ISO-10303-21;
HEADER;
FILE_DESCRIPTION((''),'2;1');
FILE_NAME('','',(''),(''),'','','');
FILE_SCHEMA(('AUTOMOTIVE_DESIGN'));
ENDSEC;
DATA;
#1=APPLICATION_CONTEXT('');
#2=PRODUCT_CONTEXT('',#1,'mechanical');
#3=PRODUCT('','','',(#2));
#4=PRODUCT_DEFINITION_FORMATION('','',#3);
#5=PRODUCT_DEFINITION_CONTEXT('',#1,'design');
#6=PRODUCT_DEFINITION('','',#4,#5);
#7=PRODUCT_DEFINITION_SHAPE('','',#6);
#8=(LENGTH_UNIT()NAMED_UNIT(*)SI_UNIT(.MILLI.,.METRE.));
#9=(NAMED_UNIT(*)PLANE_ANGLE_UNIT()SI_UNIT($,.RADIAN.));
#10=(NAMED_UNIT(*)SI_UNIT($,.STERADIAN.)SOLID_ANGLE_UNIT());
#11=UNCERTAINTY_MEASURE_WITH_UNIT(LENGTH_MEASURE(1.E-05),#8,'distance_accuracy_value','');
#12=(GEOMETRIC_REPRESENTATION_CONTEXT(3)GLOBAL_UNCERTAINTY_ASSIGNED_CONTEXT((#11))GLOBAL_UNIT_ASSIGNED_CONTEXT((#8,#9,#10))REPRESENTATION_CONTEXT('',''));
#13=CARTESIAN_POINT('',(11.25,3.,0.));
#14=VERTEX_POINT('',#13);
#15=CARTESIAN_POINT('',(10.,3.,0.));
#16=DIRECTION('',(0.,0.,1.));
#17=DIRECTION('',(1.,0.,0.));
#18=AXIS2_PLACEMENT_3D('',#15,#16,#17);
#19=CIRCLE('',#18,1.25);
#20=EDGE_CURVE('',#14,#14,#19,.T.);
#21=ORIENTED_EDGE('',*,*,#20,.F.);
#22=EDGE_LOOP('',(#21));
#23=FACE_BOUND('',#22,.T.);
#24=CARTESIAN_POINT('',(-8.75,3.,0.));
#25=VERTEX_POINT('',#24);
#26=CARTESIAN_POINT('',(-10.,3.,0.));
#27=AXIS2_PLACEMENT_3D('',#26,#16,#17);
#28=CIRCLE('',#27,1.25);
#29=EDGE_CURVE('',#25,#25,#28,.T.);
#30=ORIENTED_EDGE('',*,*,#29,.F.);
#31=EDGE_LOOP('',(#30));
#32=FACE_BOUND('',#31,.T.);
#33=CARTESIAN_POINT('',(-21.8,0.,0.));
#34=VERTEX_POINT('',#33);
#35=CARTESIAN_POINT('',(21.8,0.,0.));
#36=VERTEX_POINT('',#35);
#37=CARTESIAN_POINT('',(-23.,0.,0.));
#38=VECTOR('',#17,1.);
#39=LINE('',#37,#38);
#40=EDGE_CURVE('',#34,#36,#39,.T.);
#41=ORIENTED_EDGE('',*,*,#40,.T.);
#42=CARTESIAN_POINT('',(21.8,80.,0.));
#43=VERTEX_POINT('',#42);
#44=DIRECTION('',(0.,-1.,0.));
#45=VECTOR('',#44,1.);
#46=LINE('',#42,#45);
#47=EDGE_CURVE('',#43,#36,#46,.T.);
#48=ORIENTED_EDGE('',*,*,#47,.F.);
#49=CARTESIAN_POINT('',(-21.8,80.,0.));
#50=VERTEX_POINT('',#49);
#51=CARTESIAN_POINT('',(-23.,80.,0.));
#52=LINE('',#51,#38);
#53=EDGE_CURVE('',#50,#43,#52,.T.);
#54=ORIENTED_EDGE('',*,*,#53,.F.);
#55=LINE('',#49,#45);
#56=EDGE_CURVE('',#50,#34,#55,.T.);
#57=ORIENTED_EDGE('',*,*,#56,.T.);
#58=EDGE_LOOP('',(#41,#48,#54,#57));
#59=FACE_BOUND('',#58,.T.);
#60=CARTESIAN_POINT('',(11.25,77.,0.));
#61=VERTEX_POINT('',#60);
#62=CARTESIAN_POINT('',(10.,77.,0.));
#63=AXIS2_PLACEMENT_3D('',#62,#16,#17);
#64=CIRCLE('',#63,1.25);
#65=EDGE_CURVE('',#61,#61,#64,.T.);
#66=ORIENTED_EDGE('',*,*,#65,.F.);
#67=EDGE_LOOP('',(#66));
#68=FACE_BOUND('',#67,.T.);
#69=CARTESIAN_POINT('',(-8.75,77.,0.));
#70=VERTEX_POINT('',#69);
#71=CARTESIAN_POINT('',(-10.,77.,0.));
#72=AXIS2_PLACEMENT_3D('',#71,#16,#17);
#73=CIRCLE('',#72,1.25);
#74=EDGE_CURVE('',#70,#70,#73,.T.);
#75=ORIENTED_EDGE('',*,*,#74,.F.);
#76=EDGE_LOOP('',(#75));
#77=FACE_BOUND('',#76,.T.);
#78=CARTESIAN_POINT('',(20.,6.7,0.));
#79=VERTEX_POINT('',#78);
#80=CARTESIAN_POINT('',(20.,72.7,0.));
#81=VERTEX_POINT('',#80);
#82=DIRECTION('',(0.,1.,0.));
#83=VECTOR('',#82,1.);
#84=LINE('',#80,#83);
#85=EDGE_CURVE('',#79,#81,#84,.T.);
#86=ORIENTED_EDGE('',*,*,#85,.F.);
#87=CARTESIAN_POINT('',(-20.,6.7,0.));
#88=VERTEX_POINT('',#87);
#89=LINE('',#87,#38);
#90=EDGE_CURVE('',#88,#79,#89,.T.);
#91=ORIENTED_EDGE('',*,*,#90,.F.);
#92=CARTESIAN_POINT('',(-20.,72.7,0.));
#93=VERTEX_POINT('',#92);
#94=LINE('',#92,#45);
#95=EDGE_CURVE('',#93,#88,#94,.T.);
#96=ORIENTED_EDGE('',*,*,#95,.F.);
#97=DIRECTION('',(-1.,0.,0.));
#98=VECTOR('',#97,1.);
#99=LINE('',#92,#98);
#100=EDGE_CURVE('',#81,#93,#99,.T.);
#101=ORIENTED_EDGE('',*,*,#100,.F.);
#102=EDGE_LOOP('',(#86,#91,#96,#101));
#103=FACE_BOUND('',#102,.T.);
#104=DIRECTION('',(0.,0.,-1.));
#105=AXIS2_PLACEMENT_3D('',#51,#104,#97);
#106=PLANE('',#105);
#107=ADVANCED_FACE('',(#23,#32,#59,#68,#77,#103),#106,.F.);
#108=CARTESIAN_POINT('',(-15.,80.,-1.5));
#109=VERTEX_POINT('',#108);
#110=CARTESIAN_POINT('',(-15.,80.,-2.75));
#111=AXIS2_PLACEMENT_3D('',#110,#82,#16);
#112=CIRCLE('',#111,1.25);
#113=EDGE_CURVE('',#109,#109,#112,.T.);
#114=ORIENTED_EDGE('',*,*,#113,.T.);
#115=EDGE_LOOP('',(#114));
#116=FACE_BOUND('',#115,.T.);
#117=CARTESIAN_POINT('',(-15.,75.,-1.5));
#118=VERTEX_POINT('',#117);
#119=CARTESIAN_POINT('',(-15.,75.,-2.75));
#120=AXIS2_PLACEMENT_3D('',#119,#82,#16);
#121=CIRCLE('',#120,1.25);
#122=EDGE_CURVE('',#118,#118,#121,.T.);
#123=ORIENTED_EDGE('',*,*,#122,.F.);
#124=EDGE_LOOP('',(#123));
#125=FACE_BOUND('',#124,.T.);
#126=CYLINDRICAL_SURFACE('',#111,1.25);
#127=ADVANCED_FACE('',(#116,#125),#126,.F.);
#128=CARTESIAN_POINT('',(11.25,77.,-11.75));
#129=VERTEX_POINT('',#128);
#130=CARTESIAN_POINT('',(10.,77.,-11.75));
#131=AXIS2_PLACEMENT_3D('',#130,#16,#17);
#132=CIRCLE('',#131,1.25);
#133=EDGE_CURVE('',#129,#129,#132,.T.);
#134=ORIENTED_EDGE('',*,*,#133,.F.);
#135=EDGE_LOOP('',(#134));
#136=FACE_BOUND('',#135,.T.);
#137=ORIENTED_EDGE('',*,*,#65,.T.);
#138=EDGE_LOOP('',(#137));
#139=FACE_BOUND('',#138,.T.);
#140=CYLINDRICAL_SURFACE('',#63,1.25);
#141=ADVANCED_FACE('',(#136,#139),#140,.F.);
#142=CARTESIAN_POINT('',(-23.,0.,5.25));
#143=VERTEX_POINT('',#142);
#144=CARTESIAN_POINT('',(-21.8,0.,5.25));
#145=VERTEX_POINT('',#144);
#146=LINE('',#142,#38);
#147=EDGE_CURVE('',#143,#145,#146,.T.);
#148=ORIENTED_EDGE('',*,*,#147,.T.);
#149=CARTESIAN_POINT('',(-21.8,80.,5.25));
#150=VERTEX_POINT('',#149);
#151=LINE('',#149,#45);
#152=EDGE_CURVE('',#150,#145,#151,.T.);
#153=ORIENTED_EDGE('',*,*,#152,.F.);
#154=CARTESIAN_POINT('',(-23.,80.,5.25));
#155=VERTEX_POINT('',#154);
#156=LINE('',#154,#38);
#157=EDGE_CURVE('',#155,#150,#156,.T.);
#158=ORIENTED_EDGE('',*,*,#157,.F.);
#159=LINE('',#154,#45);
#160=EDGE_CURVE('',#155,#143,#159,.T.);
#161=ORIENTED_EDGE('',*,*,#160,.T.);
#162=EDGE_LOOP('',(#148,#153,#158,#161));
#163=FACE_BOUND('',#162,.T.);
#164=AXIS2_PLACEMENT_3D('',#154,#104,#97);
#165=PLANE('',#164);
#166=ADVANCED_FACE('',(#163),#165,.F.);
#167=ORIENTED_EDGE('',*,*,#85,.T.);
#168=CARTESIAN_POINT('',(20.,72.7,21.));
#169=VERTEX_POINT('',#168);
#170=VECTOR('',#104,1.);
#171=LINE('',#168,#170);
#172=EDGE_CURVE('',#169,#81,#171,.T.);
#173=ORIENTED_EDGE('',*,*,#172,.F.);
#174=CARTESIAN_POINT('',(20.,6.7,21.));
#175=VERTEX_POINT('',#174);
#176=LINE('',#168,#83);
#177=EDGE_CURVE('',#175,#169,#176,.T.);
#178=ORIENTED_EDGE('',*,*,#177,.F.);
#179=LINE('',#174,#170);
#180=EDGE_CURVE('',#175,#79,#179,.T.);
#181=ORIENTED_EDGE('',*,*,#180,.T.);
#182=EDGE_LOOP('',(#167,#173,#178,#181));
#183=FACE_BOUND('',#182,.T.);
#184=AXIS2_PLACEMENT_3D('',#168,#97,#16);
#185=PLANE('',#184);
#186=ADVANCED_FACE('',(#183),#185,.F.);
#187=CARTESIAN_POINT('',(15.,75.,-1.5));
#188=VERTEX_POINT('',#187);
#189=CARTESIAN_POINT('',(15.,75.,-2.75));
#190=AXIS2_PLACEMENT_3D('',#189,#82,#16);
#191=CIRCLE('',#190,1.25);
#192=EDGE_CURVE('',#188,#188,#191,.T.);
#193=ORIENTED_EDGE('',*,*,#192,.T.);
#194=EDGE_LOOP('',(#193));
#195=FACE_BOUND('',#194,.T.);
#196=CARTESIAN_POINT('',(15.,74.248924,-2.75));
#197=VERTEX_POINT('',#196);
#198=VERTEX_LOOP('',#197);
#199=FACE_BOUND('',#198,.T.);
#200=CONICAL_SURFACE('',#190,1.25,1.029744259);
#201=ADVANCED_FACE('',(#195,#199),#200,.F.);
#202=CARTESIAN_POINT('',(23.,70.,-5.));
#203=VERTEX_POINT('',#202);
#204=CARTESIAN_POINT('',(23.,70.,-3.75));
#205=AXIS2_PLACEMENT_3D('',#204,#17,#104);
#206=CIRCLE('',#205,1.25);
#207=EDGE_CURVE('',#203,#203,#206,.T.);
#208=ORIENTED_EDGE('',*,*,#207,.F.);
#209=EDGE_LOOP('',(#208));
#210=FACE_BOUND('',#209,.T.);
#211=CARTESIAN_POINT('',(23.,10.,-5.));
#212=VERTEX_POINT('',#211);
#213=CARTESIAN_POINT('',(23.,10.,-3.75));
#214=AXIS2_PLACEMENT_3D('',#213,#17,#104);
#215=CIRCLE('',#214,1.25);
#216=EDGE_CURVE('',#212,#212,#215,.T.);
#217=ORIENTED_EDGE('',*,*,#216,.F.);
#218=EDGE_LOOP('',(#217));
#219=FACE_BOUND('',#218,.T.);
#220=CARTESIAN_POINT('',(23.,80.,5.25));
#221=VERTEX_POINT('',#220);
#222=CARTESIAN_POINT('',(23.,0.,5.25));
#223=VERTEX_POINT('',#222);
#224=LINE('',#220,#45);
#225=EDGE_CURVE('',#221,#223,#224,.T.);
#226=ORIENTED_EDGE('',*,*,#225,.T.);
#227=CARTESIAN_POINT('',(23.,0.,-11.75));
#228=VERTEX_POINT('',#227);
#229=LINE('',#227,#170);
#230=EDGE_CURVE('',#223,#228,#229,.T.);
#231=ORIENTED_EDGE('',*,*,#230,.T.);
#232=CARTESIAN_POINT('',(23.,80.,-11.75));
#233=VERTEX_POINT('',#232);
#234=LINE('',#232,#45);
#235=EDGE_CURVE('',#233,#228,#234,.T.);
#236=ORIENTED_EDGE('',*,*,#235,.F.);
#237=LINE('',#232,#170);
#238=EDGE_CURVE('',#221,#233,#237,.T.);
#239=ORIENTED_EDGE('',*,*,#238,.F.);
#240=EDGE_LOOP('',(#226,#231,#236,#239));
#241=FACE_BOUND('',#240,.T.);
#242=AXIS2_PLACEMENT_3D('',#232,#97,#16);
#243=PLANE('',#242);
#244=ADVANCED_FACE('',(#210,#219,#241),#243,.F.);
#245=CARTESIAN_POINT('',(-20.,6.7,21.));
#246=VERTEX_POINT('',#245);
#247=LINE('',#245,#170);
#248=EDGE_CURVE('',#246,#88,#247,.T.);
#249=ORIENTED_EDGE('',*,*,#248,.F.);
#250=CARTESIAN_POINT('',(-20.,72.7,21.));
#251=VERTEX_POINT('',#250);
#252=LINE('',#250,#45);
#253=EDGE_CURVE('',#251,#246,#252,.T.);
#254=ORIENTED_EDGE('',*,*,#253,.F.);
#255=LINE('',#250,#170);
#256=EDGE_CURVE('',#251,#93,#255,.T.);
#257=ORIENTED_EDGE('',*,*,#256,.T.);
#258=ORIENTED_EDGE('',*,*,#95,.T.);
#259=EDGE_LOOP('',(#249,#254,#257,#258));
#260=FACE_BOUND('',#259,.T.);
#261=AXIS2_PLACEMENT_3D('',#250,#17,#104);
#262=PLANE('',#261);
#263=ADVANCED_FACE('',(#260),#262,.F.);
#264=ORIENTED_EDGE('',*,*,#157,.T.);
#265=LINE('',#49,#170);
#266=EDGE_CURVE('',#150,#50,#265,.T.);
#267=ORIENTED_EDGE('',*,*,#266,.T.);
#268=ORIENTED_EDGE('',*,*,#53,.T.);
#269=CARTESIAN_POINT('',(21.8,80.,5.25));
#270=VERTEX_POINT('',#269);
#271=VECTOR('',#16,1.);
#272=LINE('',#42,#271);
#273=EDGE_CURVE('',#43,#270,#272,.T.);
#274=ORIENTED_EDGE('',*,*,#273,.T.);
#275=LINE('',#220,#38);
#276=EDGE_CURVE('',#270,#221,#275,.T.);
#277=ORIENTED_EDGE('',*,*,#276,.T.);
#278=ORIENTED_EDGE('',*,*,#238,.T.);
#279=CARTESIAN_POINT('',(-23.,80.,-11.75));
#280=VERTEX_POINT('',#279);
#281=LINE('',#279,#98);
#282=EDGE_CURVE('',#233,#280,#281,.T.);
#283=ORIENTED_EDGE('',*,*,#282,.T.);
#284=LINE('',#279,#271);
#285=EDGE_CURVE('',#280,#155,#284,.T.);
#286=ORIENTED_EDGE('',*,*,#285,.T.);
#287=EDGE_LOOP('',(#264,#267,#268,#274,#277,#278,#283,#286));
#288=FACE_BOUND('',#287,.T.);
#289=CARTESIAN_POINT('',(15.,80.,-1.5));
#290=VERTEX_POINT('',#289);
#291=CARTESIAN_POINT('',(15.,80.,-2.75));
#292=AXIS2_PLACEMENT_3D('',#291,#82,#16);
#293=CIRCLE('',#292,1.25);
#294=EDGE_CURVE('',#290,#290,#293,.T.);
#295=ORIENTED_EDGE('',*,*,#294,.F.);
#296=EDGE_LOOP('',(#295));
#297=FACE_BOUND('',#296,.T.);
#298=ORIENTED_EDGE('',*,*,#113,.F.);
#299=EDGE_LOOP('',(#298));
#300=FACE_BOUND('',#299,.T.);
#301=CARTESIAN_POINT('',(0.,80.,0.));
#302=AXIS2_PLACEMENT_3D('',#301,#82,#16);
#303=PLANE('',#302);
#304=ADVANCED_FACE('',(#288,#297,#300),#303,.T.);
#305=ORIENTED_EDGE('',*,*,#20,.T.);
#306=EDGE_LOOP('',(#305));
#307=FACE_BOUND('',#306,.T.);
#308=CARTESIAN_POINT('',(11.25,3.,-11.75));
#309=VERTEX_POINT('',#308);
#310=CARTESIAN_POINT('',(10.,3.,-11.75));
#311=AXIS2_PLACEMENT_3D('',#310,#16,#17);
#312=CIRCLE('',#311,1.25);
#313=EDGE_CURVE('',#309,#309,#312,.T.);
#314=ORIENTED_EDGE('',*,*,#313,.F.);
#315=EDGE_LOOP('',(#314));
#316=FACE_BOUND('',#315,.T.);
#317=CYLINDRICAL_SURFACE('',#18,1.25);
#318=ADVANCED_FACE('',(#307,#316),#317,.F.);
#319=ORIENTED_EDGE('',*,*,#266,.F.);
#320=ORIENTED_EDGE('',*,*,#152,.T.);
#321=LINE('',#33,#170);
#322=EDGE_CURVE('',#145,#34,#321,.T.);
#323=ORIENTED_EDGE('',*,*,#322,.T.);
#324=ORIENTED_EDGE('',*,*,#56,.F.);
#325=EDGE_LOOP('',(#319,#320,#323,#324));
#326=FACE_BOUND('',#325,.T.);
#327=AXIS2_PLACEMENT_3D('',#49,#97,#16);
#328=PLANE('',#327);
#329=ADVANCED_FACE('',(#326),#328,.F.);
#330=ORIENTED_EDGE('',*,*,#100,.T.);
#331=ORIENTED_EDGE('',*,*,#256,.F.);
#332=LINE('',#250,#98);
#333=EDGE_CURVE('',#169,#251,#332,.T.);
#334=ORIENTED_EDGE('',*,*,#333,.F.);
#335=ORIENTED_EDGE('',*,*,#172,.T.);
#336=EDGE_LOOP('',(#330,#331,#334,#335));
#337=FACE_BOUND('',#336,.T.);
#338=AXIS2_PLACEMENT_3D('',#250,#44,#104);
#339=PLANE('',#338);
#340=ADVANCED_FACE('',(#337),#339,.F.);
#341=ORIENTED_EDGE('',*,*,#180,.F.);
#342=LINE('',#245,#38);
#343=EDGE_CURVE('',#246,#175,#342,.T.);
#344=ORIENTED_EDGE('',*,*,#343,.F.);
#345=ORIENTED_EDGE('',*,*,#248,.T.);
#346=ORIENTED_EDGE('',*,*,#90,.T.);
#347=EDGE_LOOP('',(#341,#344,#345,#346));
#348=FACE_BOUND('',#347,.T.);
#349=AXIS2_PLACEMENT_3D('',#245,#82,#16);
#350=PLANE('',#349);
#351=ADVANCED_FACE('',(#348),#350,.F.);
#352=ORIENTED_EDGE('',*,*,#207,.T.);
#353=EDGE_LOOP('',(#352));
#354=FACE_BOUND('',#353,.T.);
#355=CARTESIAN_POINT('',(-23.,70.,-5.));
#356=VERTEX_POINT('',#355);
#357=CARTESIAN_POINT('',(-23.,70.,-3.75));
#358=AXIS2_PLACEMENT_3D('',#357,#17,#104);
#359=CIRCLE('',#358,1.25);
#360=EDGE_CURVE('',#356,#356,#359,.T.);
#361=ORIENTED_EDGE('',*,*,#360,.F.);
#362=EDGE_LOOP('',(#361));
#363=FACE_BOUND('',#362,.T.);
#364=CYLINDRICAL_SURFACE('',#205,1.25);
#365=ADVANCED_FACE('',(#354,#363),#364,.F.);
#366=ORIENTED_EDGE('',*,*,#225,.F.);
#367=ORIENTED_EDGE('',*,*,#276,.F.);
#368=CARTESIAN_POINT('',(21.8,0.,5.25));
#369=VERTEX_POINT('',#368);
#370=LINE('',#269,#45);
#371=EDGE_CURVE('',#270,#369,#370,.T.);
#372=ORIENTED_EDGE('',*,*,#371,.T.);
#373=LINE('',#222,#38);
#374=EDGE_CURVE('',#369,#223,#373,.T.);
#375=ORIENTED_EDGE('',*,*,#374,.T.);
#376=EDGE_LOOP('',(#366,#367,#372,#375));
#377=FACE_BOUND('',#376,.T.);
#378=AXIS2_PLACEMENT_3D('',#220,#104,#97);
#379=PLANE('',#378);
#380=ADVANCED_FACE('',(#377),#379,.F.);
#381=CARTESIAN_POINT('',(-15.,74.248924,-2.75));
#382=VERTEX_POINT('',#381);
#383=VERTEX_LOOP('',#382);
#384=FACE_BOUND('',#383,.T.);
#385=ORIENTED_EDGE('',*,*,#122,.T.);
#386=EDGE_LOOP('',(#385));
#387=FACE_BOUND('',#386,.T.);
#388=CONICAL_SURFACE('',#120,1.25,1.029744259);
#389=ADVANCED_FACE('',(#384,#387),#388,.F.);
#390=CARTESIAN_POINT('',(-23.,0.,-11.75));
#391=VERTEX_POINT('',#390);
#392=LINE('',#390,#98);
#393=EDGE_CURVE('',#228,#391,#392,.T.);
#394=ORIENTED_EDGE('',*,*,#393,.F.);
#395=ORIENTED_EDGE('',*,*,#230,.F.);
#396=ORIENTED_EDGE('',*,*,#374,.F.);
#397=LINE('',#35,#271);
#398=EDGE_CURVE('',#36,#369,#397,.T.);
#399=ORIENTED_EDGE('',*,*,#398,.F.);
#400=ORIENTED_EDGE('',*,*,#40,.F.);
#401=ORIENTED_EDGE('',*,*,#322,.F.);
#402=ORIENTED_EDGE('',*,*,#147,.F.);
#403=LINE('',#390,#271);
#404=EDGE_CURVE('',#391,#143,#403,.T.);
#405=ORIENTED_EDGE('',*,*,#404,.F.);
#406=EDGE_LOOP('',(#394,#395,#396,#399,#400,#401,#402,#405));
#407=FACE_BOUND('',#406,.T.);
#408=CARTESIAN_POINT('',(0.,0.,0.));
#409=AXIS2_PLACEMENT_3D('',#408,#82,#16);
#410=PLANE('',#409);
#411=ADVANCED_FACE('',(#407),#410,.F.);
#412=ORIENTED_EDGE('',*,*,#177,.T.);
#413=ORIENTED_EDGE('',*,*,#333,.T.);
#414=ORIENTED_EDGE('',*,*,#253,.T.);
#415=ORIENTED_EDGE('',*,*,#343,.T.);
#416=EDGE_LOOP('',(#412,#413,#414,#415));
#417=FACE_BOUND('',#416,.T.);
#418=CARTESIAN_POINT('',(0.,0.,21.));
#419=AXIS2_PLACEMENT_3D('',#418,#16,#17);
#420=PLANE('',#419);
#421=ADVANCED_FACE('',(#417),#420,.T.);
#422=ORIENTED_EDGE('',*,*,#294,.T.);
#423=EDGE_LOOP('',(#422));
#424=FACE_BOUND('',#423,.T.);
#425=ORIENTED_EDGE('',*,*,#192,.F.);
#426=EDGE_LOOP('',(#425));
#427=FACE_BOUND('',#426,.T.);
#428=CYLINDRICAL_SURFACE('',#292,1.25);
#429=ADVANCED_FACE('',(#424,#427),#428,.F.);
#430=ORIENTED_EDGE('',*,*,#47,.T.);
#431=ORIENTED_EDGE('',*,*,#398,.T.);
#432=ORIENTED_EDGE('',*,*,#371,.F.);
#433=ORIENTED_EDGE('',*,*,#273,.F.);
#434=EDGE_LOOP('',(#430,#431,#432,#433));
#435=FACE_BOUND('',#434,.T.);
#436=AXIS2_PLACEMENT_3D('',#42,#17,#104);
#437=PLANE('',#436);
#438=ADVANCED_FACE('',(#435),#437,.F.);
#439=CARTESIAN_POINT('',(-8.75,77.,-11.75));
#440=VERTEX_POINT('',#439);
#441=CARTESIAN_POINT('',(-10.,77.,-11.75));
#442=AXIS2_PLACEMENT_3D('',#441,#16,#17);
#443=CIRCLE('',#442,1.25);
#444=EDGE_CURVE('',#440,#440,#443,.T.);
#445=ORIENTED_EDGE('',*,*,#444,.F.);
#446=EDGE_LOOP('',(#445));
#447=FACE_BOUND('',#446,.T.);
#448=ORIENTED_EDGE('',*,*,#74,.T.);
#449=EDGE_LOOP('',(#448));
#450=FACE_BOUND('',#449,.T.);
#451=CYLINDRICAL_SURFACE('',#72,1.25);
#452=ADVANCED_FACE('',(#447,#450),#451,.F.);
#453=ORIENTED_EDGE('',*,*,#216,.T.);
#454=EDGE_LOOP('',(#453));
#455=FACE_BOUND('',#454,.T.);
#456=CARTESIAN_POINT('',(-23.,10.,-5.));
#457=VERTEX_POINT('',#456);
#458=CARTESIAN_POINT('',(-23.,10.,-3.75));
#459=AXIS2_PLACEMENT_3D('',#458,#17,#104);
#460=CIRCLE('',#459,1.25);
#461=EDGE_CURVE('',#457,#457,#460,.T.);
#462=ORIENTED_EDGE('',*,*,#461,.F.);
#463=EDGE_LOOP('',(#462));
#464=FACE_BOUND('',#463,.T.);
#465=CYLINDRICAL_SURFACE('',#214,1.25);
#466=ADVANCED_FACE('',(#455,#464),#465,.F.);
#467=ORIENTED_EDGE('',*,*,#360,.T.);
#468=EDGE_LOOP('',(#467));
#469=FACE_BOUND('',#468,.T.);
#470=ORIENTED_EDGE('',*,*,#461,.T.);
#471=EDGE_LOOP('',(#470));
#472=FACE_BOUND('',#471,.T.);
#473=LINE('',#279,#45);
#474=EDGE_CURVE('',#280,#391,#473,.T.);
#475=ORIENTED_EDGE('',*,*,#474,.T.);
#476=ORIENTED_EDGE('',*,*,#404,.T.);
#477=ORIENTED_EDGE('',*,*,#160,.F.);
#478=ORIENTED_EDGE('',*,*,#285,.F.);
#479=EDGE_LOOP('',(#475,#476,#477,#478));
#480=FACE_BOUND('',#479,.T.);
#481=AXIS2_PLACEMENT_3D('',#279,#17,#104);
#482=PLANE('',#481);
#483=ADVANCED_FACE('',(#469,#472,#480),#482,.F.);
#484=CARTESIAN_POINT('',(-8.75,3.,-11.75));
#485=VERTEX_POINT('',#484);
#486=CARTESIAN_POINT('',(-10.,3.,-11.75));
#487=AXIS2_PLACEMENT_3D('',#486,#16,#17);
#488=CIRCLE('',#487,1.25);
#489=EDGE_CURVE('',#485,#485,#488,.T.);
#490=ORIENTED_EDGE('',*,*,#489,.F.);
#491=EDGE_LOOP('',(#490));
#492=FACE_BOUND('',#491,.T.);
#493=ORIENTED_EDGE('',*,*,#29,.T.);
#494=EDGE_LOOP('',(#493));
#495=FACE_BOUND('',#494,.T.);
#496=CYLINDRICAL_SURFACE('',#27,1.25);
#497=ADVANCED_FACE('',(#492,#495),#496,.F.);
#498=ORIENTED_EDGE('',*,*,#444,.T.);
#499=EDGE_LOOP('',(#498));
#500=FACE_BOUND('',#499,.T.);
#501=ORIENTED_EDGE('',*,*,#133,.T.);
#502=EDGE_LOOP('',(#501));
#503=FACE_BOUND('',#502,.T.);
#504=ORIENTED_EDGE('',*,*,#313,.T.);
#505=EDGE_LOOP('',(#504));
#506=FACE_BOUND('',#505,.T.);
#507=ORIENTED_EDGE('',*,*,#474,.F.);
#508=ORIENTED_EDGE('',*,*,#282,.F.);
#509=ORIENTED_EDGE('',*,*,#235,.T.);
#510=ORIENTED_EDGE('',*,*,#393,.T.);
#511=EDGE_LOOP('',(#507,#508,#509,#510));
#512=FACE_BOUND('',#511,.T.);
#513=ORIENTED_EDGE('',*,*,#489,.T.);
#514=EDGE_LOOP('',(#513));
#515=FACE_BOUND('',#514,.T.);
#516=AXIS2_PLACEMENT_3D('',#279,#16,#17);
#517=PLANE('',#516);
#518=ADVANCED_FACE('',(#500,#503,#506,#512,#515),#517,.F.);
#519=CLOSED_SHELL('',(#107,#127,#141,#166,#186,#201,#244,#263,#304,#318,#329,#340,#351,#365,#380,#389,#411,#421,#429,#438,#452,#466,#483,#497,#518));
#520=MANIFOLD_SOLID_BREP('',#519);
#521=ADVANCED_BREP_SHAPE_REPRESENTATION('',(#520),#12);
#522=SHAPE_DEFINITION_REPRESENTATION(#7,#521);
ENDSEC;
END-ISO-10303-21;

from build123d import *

# Parameters (mm, degrees)
SKETCH1_W                     = 46
SKETCH1_H                     = 11.75
BOSS_EXTRUDE1_DEPTH           = 80
SKETCH2_W                     = 1.2
SKETCH2_H                     = 5.25
BOSS_EXTRUDE2_DEPTH           = 80
SKETCH3_W                     = 40
SKETCH3_H                     = 66
CIRCUIT_BOARD_CLEARANCE_DEPTH = 21
M3X0_5_TAPPED_HOLE1_D         = 2.5
M3X0_5_TAPPED_HOLE2_D         = 2.5
M3X0_5_TAPPED_HOLE2_DEPTH     = 5
M3X0_5_TAPPED_HOLE2_TIP       = 0.751075774
M3X0_5_TAPPED_HOLE3_D         = 2.5


with BuildPart() as part:
    # Sketch1 → Boss-Extrude1 (new body)
    with BuildSketch(Plane(origin=(0, 0, 0), x_dir=(1, 0, 0), z_dir=(0, 1, 0))):
        with Locations((0, 5.875)):
            Rectangle(SKETCH1_W, SKETCH1_H)
    extrude(amount=BOSS_EXTRUDE1_DEPTH)

    # Sketch2 → Boss-Extrude2 (add)
    with BuildSketch(Plane(origin=(0, 0, 0), x_dir=(1, 0, 0), z_dir=(0, 1, 0))):
        with Locations((-22.4, -2.625)):
            Rectangle(SKETCH2_W, SKETCH2_H)
        with Locations((22.4, -2.625)):
            Rectangle(SKETCH2_W, SKETCH2_H)
    extrude(amount=BOSS_EXTRUDE2_DEPTH)

    # Sketch3 → Circuit Board clearance (add)
    with BuildSketch(Plane.XY):
        with Locations((0, 39.7)):
            Rectangle(SKETCH3_W, SKETCH3_H)
    extrude(amount=CIRCUIT_BOARD_CLEARANCE_DEPTH)

    # M3x0.5 Tapped Hole1 (through all)
    with Locations(Plane.XY):
        with Locations((-10, 77), (10, 77), (-10, 3), (10, 3)):
            Hole(M3X0_5_TAPPED_HOLE1_D / 2)

    # M3x0.5 Tapped Hole2
    with Locations(Plane(origin=(0, 80, 0), x_dir=(1, 0, 0), z_dir=(0, 1, 0))):
        with Locations((-15, 2.75), (15, 2.75)):
            Hole(M3X0_5_TAPPED_HOLE2_D / 2, depth=M3X0_5_TAPPED_HOLE2_DEPTH)
            with Locations((0, 0, -(M3X0_5_TAPPED_HOLE2_DEPTH + M3X0_5_TAPPED_HOLE2_TIP / 2))):  # 118° drill point
                Cone(0, M3X0_5_TAPPED_HOLE2_D / 2, M3X0_5_TAPPED_HOLE2_TIP, mode=Mode.SUBTRACT)

    # M3x0.5 Tapped Hole3 (through all)
    with Locations(Plane(origin=(23, 0, 0), x_dir=(0, 0, -1), z_dir=(1, 0, 0))):
        with Locations((3.75, 70), (3.75, 10)):
            Hole(M3X0_5_TAPPED_HOLE3_D / 2)


solid = part.part
